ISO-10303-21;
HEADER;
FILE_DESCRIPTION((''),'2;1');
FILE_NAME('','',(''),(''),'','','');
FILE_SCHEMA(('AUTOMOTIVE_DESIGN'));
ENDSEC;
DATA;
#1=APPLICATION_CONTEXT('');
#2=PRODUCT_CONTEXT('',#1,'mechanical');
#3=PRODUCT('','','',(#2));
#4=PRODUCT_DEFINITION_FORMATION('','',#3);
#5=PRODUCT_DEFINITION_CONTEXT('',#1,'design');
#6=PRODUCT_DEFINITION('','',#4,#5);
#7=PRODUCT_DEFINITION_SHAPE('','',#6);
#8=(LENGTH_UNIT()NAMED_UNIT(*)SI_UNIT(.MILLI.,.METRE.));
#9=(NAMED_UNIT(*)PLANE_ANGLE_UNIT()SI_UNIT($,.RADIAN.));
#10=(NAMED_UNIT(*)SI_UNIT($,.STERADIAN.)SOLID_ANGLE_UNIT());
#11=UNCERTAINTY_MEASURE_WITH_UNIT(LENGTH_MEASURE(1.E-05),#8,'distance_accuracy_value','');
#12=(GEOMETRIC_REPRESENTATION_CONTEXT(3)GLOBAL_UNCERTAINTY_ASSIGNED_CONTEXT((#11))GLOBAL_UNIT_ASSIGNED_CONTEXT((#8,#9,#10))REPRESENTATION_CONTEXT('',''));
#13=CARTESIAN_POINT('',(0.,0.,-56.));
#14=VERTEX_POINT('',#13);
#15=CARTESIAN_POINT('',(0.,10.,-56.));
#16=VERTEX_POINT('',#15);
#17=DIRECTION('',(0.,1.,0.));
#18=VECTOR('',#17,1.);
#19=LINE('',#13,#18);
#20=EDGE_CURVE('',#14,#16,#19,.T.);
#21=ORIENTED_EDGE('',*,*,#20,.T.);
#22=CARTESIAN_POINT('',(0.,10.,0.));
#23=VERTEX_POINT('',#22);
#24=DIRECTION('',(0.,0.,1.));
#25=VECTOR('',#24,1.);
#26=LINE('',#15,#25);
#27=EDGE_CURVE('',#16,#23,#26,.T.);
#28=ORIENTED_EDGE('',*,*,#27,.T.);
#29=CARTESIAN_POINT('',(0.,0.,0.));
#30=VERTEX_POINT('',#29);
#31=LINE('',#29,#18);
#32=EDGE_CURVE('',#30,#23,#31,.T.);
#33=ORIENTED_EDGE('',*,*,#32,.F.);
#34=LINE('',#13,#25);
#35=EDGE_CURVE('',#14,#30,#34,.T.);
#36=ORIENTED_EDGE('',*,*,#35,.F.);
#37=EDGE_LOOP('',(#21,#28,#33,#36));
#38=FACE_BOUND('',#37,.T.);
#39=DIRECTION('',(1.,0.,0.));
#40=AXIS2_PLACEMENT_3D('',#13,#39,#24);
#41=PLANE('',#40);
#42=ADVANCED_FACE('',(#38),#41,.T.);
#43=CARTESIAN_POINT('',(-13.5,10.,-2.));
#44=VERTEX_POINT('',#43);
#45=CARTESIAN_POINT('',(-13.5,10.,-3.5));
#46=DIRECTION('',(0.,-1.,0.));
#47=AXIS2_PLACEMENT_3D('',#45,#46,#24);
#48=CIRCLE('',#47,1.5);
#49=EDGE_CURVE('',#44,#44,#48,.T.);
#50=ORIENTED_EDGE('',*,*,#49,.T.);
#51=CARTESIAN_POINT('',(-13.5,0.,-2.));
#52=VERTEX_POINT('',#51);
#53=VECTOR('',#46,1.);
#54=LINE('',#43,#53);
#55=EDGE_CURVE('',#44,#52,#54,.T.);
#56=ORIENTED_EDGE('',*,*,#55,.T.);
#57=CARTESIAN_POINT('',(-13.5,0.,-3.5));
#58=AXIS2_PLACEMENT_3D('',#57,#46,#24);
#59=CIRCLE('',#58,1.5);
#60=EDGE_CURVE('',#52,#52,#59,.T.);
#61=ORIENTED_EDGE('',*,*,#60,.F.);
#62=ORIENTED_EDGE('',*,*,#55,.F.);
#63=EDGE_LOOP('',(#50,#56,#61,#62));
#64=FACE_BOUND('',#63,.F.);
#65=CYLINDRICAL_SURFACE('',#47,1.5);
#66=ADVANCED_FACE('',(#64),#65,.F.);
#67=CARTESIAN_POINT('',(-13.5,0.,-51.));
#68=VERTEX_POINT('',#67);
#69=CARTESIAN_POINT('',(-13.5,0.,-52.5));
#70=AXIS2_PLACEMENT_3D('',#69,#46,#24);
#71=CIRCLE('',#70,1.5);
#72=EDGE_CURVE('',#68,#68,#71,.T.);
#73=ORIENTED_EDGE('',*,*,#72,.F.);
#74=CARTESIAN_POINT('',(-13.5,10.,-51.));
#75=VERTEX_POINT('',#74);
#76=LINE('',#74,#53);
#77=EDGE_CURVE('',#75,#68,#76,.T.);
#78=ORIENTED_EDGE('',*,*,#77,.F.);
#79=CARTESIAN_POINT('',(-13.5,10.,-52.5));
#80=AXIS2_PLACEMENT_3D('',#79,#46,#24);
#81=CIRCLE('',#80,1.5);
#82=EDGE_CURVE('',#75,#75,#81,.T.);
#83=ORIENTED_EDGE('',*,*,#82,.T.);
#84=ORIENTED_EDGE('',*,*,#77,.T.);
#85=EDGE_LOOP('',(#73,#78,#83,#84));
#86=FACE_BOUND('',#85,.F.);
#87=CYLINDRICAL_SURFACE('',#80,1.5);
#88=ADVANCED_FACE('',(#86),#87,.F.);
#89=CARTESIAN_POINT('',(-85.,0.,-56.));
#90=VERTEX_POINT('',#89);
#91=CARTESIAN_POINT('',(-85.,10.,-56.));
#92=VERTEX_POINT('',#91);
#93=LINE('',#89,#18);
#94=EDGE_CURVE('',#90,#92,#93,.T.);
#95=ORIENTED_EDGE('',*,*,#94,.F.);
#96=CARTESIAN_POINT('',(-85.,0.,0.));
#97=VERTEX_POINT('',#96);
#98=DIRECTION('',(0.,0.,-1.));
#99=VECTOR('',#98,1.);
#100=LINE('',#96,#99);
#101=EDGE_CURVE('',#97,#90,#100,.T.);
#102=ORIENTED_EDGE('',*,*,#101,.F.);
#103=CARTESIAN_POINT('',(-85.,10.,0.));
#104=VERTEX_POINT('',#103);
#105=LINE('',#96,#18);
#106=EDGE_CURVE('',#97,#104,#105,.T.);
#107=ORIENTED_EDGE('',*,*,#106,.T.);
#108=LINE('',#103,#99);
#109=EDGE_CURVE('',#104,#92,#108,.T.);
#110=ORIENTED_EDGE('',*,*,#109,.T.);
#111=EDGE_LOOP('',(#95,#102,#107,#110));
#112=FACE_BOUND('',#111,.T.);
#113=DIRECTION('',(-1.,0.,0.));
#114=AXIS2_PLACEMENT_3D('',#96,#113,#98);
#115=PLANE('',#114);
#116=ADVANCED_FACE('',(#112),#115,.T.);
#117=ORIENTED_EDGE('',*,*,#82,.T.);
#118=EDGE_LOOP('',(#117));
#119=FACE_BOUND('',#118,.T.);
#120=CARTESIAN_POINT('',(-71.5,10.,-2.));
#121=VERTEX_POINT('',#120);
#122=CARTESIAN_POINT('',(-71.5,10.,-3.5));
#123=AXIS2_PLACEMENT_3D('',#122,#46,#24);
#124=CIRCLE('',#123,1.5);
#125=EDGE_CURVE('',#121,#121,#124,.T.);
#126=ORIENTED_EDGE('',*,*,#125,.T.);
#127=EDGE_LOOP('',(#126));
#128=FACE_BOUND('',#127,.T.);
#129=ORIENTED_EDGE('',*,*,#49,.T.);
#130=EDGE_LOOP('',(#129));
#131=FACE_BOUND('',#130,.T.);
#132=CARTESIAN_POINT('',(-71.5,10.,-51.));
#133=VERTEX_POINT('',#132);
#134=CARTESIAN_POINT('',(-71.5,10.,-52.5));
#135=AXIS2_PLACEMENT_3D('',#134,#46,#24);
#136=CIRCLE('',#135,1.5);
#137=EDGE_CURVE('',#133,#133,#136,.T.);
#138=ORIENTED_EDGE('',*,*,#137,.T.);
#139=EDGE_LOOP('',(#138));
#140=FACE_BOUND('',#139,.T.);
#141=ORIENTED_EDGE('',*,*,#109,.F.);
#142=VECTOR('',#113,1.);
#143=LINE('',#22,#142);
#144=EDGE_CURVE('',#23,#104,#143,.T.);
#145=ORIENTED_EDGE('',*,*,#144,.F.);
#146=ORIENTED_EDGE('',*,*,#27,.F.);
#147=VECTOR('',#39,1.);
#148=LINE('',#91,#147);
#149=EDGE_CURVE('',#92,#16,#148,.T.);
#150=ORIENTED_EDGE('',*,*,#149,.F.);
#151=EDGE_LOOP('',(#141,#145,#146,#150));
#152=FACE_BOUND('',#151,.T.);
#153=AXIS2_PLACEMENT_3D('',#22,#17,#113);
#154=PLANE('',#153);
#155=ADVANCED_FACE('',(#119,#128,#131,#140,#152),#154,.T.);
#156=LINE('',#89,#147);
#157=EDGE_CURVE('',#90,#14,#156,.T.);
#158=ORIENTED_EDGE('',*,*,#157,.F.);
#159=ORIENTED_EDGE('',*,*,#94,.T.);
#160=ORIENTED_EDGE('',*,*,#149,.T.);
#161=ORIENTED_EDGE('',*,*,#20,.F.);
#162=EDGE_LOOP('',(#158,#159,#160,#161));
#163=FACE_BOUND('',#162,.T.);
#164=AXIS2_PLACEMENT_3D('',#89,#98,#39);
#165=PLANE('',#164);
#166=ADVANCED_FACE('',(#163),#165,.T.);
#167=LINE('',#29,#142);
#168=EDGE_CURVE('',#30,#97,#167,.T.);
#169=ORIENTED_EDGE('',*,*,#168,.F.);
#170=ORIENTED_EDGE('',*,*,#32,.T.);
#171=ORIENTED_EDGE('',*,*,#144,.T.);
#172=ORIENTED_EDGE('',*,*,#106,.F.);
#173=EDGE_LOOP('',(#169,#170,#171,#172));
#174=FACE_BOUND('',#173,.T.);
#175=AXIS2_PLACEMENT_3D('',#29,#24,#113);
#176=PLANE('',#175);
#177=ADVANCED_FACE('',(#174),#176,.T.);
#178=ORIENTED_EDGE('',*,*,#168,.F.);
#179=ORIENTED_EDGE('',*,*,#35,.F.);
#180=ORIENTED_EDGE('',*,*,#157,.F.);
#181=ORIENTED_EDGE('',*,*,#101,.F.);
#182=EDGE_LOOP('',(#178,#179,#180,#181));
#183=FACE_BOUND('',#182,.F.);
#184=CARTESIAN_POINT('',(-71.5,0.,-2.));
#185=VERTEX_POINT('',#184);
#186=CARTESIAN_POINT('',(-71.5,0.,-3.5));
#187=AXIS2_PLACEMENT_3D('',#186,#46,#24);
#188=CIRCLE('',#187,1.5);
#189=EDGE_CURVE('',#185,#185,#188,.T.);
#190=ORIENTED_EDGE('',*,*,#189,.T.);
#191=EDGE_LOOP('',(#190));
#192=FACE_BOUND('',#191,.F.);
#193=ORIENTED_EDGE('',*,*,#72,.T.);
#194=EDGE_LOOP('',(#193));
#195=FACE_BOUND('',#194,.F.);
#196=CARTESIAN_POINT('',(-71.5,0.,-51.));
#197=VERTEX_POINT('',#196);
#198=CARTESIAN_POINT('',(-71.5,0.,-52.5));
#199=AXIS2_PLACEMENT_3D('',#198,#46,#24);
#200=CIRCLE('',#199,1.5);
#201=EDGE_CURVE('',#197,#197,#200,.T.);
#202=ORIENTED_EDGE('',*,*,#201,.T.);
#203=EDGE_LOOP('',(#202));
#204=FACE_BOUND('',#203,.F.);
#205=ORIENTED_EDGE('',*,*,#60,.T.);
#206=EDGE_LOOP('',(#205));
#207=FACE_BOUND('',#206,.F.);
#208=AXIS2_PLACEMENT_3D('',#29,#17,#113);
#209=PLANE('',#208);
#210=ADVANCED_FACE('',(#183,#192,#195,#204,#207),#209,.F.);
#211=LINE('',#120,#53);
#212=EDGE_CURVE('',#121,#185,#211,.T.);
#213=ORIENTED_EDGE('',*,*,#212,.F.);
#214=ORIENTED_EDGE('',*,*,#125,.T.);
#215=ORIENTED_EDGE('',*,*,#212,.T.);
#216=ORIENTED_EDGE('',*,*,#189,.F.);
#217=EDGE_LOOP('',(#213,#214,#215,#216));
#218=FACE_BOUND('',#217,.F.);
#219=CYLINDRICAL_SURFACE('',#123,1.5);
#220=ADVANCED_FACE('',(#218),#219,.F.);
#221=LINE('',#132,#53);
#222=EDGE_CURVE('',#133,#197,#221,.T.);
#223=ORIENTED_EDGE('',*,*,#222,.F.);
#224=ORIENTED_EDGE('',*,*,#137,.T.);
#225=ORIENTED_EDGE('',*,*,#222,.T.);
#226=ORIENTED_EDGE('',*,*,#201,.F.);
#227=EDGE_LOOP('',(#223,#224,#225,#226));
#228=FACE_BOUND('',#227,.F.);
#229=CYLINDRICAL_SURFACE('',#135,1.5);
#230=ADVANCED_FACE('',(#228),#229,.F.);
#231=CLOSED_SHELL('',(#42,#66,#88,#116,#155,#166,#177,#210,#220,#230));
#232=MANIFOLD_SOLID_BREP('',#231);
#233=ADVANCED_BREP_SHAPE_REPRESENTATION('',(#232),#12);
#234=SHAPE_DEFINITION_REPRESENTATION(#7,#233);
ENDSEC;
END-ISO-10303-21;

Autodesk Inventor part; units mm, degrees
ref_plane "YZ Plane" through (0, 0, 0) normal (1, 0, 0) x (0, 1, 0)
ref_plane "XZ Plane" through (0, 0, 0) normal (0, 1, 0) x (-1, 0, 0)
ref_plane "XY Plane" through (0, 0, 0) normal (0, 0, 1) x (1, 0, 0)
sketch "Sketch1" plane through (0, 0, 0) normal (0, 1, 0) x (-1, 0, 0)
  line L0 (0, 0) -> (85, 0)
  line L1 (85, 0) -> (85, -56)
  line L2 (85, -56) -> (0, -56)
  line L3 (0, -56) -> (0, 0)
  dimension "d0" = 85
  dimension "d1" = 56
extrude "Extrusion1" add sketch "Sketch1" along normal blind 10
sketch "Sketch2" plane through (0, 10, 0) normal (0, 1, 0) x (1, 0, 0)
  line L0 (-71.5, 52.5) -> (-13.5, 52.5) construction
  line L1 (-13.5, 52.5) -> (-13.5, 3.5) construction
  line L2 (-13.5, 3.5) -> (-71.5, 3.5) construction
  line L3 (-71.5, 3.5) -> (-71.5, 52.5) construction
  line L4 (-85, 56) -> (-85, 0) projected
  line L5 (0, 56) -> (-85, 56) projected
  point P0 (0, 0)
  point P1 (-71.5, 28)
  point P2 (-85, 28)
  point P3 (-42.5, 52.5)
  point P4 (-42.5, 56)
  dimension "d4" = 58
  dimension "d5" = 49
hole "Hole1" at (-13.5, 10, -52.5) at (-13.5, 10, -3.5) at (-71.5, 10, -3.5) at (-71.5, 10, -52.5) direction (0, -1, 0) diameter 3 depth 10
properties part number "SKR PICO"
